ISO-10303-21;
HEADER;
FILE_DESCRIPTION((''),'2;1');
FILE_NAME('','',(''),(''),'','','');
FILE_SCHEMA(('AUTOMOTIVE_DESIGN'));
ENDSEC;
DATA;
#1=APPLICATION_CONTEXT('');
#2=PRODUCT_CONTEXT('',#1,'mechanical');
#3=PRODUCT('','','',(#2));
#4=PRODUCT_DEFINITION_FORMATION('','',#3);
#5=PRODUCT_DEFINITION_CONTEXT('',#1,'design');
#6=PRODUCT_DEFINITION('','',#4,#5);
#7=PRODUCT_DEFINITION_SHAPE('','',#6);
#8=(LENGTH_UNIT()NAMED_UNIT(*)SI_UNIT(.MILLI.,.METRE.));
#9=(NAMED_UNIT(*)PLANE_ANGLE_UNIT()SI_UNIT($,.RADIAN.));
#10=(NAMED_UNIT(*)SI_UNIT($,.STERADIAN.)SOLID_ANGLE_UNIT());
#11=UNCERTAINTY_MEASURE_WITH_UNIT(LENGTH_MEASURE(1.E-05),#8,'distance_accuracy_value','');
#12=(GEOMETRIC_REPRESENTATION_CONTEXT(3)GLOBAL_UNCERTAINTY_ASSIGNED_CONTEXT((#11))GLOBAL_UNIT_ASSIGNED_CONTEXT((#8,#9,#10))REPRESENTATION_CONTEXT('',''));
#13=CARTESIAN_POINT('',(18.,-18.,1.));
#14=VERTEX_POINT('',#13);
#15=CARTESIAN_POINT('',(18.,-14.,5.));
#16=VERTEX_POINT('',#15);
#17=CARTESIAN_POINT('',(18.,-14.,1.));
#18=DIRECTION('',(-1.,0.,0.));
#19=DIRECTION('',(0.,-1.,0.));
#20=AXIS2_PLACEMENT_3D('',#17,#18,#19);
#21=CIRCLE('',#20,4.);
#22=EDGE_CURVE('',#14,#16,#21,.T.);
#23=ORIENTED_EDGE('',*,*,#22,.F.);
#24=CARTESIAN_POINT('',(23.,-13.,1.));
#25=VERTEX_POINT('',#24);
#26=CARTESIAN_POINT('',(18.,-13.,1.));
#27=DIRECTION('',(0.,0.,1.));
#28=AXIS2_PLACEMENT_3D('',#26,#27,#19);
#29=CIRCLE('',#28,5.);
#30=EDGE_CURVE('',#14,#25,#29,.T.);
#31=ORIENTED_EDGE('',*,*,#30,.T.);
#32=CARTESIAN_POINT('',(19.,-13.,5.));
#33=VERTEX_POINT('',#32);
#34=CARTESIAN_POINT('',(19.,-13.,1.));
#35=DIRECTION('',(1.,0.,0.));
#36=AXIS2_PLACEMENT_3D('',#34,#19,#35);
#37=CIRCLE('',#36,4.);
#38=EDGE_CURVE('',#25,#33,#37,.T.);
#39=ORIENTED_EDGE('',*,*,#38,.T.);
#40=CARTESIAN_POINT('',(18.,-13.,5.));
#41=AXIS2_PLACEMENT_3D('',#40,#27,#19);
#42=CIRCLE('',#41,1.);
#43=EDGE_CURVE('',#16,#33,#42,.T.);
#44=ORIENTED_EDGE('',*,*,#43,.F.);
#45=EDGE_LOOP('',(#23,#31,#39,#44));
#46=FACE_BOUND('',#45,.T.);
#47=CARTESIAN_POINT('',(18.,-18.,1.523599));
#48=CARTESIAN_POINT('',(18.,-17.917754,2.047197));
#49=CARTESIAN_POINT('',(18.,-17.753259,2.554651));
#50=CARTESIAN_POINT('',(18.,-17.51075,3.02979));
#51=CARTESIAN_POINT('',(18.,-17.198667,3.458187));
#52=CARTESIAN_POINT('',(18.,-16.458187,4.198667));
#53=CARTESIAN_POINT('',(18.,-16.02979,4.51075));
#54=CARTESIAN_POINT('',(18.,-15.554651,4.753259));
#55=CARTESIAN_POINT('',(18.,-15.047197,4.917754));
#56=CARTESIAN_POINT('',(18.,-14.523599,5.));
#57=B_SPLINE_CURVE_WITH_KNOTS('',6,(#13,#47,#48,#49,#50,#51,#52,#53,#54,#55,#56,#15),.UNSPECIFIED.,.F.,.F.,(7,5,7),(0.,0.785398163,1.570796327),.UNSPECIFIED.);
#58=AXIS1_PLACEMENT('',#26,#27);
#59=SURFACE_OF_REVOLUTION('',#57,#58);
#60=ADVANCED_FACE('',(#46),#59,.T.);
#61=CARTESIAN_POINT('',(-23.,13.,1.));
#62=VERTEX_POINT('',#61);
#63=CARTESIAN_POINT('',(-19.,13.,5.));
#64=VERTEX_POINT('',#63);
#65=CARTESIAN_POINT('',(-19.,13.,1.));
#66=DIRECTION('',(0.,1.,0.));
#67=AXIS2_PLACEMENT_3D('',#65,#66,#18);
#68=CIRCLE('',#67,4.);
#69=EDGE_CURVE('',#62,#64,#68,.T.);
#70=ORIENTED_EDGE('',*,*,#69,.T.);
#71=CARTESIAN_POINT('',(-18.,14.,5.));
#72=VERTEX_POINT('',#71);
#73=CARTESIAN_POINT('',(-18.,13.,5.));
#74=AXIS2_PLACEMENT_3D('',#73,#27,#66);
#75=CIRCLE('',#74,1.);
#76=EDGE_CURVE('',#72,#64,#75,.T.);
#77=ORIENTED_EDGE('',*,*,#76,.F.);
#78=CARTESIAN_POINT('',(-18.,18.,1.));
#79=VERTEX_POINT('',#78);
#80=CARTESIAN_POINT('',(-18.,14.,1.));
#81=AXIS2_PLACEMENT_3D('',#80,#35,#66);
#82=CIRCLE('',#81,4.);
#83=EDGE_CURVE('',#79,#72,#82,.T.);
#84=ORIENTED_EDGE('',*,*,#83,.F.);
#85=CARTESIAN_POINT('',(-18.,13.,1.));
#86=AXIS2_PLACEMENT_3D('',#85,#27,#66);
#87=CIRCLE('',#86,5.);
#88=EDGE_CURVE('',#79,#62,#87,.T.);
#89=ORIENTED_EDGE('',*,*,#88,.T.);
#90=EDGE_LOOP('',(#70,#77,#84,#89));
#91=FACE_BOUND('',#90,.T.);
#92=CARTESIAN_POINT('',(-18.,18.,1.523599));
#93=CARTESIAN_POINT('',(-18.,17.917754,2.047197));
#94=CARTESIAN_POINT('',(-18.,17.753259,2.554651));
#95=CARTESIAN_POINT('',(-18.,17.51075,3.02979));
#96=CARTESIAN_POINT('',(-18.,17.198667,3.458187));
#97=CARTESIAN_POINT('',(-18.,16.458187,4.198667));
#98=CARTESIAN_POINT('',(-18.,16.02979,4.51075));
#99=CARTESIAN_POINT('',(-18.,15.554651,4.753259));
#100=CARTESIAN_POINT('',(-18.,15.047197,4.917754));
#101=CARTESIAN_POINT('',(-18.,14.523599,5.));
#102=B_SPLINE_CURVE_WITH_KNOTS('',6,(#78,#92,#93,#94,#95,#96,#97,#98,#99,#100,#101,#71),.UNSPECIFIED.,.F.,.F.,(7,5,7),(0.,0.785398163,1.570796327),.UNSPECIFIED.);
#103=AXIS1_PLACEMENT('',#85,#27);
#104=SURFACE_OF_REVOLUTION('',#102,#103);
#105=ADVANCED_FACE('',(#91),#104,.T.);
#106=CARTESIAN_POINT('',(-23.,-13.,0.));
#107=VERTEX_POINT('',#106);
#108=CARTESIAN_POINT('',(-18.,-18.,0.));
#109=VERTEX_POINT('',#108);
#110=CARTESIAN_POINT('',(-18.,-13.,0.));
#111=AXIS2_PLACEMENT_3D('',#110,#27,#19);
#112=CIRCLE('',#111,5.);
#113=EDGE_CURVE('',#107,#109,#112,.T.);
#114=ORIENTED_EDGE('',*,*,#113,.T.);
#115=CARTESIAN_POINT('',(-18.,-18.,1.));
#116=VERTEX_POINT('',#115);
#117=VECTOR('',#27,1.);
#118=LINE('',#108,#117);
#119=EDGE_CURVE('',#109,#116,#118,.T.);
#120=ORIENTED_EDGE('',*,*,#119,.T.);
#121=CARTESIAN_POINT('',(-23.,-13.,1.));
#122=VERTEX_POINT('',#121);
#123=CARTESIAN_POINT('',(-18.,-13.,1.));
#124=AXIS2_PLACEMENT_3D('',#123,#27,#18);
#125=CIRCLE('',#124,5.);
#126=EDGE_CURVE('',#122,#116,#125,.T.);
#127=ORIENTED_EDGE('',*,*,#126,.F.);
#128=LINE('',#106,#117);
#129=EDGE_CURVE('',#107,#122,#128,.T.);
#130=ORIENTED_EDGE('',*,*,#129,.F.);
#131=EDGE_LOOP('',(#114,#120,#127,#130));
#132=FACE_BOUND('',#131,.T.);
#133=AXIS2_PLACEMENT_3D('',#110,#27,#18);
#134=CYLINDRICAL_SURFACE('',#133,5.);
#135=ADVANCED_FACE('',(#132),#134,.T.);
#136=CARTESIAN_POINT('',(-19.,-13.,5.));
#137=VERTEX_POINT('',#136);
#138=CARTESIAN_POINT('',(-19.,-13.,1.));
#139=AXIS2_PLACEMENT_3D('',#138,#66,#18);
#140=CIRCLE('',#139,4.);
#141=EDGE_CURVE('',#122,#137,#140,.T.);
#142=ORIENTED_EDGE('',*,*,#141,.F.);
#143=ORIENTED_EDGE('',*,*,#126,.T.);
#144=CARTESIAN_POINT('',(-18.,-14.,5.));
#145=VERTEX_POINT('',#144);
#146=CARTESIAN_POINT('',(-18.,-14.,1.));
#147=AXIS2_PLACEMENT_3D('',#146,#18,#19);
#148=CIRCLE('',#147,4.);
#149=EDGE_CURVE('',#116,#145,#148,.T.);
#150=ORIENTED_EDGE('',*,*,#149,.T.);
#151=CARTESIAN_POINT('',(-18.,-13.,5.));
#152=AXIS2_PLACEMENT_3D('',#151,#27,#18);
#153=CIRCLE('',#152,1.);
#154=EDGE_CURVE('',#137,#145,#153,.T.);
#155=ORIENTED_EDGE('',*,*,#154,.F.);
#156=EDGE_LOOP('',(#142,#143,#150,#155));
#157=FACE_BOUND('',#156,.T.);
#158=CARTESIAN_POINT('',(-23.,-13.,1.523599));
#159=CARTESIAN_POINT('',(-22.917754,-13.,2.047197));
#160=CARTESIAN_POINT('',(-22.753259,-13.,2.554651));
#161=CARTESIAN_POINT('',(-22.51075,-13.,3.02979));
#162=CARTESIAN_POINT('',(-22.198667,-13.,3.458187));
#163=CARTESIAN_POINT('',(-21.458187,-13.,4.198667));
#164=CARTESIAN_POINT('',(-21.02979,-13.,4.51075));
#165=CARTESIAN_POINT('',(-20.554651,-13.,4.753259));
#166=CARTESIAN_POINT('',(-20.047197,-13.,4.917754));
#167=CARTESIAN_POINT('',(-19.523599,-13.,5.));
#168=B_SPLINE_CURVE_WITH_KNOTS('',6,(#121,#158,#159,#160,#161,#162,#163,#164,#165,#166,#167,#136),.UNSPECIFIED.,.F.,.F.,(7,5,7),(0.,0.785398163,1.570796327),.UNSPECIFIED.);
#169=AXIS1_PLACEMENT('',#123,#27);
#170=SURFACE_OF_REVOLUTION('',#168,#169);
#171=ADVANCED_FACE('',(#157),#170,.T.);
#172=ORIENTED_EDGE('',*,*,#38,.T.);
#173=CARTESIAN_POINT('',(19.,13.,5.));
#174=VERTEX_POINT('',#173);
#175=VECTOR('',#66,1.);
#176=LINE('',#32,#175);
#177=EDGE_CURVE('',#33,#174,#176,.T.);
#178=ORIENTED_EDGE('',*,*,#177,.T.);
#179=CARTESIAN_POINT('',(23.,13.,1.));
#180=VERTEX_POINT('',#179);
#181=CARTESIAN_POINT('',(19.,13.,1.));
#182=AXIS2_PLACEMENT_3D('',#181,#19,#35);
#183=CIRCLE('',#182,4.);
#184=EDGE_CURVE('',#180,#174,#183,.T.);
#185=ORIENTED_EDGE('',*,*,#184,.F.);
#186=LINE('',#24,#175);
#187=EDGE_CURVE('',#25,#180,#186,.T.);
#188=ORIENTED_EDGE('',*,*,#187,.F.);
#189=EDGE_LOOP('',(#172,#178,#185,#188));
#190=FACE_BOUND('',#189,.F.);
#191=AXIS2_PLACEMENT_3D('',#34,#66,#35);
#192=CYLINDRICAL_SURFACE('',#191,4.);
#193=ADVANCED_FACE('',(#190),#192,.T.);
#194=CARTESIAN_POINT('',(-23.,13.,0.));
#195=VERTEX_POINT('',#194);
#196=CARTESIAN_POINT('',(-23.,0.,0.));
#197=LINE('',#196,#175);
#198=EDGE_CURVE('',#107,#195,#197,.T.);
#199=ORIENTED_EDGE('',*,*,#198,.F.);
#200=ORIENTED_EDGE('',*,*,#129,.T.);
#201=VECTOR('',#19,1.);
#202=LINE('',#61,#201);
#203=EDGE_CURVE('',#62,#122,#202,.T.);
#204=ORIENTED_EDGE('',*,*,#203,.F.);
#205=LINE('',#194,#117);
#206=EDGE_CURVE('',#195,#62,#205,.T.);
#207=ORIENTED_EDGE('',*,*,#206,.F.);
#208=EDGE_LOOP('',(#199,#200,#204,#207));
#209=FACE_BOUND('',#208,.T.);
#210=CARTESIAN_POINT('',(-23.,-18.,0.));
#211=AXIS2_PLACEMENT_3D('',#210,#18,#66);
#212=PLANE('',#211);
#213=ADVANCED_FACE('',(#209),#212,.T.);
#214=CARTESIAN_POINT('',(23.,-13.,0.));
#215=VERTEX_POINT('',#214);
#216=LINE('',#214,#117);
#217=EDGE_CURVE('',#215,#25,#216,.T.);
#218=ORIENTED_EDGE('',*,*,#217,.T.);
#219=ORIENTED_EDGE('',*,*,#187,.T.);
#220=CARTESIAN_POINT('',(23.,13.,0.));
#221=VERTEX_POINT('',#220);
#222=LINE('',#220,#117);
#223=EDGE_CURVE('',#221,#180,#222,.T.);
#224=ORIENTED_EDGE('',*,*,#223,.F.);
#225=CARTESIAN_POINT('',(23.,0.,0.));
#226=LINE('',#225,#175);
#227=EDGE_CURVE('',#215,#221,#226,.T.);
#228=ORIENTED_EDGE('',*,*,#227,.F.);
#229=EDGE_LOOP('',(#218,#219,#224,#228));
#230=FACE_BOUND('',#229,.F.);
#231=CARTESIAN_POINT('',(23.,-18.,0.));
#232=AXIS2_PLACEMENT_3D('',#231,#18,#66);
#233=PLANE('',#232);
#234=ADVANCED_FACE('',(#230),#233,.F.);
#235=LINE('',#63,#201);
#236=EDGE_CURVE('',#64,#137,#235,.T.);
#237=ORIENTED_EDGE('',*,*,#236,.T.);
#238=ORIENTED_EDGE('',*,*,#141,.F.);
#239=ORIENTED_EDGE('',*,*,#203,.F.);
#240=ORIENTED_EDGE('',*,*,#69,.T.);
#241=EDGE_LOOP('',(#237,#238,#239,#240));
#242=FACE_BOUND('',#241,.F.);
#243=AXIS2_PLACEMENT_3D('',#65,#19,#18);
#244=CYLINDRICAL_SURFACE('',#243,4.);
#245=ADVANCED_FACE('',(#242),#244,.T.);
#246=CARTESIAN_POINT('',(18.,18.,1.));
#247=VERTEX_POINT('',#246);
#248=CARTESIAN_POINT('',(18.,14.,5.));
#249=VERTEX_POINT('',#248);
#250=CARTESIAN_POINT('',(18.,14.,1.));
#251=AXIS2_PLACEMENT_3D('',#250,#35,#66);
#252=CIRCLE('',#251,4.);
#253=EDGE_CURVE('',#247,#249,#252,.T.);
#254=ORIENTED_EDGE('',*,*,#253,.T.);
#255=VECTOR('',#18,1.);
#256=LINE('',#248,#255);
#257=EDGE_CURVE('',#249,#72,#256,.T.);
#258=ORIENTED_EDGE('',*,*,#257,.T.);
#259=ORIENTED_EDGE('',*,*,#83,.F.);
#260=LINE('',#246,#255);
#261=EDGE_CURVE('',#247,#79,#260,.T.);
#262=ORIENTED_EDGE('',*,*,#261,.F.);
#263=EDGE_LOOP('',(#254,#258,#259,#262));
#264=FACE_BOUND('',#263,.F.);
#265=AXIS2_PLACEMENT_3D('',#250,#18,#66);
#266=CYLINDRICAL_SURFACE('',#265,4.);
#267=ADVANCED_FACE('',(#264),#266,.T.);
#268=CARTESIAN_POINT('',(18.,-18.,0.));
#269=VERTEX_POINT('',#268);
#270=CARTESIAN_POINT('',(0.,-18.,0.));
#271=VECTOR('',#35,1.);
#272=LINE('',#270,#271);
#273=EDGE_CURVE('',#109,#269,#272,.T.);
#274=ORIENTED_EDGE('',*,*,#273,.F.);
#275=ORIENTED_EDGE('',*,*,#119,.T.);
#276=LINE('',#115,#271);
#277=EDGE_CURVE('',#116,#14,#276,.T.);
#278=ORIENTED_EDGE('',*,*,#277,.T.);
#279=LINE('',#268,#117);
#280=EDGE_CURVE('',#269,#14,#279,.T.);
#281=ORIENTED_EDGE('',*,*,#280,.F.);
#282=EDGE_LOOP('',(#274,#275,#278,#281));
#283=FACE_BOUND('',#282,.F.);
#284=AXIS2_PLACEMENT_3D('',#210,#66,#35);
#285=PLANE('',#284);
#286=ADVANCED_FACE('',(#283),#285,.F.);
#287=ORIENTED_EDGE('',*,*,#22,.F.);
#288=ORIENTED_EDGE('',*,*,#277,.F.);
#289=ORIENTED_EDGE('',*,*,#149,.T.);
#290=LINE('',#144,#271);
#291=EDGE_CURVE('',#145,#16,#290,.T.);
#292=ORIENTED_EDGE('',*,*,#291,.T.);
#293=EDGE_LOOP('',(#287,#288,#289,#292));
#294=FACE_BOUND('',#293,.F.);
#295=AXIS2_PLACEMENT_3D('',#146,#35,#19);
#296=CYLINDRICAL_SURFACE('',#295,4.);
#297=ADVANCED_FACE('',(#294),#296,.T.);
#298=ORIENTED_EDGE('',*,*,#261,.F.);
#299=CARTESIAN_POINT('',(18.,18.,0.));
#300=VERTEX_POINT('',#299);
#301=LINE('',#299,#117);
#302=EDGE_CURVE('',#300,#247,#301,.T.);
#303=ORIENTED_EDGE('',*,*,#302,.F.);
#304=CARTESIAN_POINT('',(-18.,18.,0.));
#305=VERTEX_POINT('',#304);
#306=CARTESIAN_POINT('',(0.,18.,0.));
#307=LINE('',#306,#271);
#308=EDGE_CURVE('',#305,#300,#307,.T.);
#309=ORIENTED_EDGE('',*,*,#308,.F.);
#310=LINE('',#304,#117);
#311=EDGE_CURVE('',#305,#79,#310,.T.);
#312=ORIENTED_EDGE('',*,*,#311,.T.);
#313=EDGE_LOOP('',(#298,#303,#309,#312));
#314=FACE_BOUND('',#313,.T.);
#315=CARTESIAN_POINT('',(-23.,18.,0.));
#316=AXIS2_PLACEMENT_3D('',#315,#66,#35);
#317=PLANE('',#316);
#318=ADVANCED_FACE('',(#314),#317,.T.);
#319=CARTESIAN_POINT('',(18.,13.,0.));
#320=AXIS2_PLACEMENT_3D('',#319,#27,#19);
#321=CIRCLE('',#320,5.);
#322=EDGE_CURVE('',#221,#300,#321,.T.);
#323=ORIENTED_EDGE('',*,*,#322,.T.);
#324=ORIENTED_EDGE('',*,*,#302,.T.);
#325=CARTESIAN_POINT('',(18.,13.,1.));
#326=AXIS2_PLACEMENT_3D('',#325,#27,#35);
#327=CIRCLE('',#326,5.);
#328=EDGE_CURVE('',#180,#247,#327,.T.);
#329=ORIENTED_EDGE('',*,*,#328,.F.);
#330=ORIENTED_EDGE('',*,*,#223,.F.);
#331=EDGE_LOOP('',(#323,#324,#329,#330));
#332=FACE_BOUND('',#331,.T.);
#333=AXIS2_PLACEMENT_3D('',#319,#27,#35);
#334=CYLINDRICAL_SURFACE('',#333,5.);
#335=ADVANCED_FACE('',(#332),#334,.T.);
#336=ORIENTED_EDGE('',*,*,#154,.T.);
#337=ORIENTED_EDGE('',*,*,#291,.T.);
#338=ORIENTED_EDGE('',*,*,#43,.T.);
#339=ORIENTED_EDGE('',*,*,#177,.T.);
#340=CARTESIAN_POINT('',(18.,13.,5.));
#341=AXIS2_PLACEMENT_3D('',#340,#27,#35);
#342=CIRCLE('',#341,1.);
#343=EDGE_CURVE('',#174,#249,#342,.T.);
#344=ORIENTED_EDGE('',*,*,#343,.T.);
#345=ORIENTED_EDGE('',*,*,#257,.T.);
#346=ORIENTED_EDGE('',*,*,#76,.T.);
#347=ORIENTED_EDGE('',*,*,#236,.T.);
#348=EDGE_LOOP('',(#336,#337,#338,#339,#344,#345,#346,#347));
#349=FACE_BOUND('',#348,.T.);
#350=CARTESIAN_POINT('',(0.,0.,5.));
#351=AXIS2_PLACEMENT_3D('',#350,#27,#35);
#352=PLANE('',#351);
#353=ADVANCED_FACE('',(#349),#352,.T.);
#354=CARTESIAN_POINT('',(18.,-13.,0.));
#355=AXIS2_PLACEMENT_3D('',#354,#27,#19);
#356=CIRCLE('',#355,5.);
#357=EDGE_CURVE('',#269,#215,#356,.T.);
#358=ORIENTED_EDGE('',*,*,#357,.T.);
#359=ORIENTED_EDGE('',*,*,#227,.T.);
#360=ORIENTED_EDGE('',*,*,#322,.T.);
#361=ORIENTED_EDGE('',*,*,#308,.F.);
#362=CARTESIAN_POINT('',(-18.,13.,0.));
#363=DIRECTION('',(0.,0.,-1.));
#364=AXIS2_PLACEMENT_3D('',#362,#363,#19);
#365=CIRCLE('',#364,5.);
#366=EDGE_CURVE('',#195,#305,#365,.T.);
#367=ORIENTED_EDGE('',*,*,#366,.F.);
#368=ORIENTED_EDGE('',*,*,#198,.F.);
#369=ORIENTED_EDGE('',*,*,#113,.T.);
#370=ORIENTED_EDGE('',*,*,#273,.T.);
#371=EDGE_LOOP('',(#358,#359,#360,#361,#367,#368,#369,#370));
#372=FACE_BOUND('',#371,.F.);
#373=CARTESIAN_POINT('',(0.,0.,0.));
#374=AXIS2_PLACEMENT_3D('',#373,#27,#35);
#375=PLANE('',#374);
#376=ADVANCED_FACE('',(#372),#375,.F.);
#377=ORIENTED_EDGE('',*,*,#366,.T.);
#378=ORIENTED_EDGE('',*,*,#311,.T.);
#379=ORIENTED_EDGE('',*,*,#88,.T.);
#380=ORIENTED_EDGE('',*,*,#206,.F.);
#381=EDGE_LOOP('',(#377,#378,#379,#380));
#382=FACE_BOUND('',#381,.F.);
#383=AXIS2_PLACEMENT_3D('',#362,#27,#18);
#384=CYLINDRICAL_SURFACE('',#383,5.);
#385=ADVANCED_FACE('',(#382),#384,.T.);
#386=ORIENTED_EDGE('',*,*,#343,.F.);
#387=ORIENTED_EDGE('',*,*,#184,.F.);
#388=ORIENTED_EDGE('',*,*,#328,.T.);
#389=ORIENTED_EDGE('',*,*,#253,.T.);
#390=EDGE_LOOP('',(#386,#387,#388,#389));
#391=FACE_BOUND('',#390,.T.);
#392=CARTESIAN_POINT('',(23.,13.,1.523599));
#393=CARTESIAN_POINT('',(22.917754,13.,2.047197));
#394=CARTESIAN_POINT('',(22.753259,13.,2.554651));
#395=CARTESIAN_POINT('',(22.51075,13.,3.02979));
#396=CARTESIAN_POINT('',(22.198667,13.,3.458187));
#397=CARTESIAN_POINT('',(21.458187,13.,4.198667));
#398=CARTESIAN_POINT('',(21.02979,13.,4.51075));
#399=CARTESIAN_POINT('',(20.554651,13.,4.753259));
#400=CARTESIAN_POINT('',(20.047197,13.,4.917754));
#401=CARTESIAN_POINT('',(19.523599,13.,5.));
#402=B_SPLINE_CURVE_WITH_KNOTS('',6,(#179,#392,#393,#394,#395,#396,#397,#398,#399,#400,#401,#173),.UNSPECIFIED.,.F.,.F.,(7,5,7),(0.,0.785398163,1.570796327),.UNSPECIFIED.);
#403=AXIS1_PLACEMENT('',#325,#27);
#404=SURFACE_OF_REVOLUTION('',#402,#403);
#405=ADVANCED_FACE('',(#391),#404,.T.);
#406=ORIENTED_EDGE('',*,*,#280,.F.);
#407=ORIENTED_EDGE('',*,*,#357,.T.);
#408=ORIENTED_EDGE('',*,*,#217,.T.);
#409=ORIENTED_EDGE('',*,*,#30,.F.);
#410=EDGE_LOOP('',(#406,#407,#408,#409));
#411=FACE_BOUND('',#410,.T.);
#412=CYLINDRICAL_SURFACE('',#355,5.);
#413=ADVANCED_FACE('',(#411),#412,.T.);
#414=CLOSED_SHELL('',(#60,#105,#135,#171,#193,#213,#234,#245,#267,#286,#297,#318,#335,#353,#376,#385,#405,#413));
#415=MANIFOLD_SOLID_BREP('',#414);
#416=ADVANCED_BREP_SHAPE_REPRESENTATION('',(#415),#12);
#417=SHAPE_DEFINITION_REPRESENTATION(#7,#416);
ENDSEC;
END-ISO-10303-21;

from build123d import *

# Parameters (mm, degrees)
SKETCH_W    = 46
SKETCH_H    = 36
PAD_DEPTH   = 5
FILLET_R    = 5
FILLET001_R = 5
FILLET002_R = 4


with BuildPart() as part:
    # Sketch → Pad (new body)
    with BuildSketch(Plane.XY):
        Rectangle(SKETCH_W, SKETCH_H)
    extrude(amount=PAD_DEPTH)

    # Fillet
    fillet_edges = [part.edges().sort_by_distance(p)[0] for p in [
        (23, -18, 2.5),
        (23, 18, 2.5),
        (-23, -18, 2.5),
    ]]
    fillet(fillet_edges, radius=FILLET_R)

    # Fillet001
    fillet001_edges = [part.edges().sort_by_distance(p)[0] for p in [
        (-23, 18, 2.5),
    ]]
    fillet(fillet001_edges, radius=FILLET001_R)

    # Fillet002
    fillet002_edges = [part.edges().sort_by_distance(p)[0] for p in [
        (-21.535534, -16.535534, 5),
        (21.535534, -16.535534, 5),
        (0, -18, 5),
        (23, 0, 5),
        (21.535534, 16.535534, 5),
        (0, 18, 5),
        (-21.535534, 16.535534, 5),
        (-23, 0, 5),
    ]]
    fillet(fillet002_edges, radius=FILLET002_R)


solid = part.part
